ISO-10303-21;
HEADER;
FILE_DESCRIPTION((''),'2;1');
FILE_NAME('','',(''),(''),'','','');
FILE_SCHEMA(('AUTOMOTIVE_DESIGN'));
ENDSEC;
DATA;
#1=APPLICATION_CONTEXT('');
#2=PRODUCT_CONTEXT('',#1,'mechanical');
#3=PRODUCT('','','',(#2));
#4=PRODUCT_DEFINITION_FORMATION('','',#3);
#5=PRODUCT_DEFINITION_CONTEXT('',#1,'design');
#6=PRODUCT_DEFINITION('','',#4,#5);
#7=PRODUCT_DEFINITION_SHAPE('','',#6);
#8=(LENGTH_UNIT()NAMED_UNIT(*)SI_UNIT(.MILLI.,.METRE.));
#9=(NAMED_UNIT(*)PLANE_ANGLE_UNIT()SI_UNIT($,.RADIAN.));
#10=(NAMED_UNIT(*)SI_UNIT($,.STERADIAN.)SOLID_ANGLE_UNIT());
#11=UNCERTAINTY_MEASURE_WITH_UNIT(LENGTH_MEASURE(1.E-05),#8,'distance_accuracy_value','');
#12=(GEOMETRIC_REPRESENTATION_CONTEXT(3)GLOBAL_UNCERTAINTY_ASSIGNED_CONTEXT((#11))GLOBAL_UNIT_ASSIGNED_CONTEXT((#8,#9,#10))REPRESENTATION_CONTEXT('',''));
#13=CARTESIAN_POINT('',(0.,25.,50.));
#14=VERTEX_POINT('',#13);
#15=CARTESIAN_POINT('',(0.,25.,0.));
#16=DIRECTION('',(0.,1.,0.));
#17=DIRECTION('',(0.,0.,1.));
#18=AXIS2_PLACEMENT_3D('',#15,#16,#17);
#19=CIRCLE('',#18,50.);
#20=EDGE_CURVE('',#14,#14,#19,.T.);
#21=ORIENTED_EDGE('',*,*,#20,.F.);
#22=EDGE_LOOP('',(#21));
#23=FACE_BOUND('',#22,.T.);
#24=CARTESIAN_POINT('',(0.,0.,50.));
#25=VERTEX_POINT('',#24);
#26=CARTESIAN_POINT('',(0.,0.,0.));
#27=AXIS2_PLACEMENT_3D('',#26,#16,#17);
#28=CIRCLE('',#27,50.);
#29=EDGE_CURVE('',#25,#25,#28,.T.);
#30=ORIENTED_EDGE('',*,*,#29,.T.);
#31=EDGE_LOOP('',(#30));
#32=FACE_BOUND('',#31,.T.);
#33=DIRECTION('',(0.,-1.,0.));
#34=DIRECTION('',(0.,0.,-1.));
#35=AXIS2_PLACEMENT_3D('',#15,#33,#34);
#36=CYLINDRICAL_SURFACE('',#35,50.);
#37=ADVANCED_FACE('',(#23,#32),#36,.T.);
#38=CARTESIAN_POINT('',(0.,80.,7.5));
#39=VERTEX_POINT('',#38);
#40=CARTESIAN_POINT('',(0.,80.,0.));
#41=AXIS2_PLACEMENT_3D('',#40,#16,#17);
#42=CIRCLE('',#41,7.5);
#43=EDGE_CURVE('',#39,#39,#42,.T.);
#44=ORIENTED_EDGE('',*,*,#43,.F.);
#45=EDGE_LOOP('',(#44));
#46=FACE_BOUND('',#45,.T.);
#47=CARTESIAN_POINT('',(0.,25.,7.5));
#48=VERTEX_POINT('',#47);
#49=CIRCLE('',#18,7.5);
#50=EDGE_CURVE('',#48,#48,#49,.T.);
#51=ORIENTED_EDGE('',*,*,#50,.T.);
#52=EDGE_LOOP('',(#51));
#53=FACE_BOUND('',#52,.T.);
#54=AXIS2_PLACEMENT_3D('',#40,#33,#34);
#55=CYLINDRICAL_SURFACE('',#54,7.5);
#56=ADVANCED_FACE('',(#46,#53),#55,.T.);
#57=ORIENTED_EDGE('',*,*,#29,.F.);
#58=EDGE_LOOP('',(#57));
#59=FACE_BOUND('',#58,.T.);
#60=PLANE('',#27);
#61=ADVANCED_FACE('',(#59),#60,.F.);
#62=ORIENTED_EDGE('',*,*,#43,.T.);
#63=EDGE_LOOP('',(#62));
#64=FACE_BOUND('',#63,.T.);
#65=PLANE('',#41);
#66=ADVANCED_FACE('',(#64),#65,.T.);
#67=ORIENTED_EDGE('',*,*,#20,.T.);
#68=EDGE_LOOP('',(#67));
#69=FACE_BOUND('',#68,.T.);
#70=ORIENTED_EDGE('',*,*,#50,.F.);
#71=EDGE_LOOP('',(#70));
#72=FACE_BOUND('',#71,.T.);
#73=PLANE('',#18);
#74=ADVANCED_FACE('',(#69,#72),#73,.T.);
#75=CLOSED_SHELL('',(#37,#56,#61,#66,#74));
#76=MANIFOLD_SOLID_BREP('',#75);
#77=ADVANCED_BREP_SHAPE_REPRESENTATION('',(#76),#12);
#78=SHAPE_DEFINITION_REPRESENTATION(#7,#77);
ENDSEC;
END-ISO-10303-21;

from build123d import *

# Parameters (mm, degrees)
SKETCH1_R           = 50
BOSS_EXTRUDE1_DEPTH = 25
SKETCH2_R           = 7.5
BOSS_EXTRUDE2_DEPTH = 55


with BuildPart() as part:
    # Sketch1 → Boss-Extrude1 (new body)
    with BuildSketch(Plane(origin=(0, 0, 0), x_dir=(1, 0, 0), z_dir=(0, 1, 0))):
        with Locations(Location((0, 0, 0), (0, 0, 270))):
            Circle(SKETCH1_R)
    extrude(amount=BOSS_EXTRUDE1_DEPTH)

    # Sketch2 → Boss-Extrude2 (add)
    with BuildSketch(Plane(origin=(0, 25, 0), x_dir=(1, 0, 0), z_dir=(0, 1, 0))):
        with Locations(Location((0, 0, 0), (0, 0, 270))):
            Circle(SKETCH2_R)
    extrude(amount=BOSS_EXTRUDE2_DEPTH)


solid = part.part
